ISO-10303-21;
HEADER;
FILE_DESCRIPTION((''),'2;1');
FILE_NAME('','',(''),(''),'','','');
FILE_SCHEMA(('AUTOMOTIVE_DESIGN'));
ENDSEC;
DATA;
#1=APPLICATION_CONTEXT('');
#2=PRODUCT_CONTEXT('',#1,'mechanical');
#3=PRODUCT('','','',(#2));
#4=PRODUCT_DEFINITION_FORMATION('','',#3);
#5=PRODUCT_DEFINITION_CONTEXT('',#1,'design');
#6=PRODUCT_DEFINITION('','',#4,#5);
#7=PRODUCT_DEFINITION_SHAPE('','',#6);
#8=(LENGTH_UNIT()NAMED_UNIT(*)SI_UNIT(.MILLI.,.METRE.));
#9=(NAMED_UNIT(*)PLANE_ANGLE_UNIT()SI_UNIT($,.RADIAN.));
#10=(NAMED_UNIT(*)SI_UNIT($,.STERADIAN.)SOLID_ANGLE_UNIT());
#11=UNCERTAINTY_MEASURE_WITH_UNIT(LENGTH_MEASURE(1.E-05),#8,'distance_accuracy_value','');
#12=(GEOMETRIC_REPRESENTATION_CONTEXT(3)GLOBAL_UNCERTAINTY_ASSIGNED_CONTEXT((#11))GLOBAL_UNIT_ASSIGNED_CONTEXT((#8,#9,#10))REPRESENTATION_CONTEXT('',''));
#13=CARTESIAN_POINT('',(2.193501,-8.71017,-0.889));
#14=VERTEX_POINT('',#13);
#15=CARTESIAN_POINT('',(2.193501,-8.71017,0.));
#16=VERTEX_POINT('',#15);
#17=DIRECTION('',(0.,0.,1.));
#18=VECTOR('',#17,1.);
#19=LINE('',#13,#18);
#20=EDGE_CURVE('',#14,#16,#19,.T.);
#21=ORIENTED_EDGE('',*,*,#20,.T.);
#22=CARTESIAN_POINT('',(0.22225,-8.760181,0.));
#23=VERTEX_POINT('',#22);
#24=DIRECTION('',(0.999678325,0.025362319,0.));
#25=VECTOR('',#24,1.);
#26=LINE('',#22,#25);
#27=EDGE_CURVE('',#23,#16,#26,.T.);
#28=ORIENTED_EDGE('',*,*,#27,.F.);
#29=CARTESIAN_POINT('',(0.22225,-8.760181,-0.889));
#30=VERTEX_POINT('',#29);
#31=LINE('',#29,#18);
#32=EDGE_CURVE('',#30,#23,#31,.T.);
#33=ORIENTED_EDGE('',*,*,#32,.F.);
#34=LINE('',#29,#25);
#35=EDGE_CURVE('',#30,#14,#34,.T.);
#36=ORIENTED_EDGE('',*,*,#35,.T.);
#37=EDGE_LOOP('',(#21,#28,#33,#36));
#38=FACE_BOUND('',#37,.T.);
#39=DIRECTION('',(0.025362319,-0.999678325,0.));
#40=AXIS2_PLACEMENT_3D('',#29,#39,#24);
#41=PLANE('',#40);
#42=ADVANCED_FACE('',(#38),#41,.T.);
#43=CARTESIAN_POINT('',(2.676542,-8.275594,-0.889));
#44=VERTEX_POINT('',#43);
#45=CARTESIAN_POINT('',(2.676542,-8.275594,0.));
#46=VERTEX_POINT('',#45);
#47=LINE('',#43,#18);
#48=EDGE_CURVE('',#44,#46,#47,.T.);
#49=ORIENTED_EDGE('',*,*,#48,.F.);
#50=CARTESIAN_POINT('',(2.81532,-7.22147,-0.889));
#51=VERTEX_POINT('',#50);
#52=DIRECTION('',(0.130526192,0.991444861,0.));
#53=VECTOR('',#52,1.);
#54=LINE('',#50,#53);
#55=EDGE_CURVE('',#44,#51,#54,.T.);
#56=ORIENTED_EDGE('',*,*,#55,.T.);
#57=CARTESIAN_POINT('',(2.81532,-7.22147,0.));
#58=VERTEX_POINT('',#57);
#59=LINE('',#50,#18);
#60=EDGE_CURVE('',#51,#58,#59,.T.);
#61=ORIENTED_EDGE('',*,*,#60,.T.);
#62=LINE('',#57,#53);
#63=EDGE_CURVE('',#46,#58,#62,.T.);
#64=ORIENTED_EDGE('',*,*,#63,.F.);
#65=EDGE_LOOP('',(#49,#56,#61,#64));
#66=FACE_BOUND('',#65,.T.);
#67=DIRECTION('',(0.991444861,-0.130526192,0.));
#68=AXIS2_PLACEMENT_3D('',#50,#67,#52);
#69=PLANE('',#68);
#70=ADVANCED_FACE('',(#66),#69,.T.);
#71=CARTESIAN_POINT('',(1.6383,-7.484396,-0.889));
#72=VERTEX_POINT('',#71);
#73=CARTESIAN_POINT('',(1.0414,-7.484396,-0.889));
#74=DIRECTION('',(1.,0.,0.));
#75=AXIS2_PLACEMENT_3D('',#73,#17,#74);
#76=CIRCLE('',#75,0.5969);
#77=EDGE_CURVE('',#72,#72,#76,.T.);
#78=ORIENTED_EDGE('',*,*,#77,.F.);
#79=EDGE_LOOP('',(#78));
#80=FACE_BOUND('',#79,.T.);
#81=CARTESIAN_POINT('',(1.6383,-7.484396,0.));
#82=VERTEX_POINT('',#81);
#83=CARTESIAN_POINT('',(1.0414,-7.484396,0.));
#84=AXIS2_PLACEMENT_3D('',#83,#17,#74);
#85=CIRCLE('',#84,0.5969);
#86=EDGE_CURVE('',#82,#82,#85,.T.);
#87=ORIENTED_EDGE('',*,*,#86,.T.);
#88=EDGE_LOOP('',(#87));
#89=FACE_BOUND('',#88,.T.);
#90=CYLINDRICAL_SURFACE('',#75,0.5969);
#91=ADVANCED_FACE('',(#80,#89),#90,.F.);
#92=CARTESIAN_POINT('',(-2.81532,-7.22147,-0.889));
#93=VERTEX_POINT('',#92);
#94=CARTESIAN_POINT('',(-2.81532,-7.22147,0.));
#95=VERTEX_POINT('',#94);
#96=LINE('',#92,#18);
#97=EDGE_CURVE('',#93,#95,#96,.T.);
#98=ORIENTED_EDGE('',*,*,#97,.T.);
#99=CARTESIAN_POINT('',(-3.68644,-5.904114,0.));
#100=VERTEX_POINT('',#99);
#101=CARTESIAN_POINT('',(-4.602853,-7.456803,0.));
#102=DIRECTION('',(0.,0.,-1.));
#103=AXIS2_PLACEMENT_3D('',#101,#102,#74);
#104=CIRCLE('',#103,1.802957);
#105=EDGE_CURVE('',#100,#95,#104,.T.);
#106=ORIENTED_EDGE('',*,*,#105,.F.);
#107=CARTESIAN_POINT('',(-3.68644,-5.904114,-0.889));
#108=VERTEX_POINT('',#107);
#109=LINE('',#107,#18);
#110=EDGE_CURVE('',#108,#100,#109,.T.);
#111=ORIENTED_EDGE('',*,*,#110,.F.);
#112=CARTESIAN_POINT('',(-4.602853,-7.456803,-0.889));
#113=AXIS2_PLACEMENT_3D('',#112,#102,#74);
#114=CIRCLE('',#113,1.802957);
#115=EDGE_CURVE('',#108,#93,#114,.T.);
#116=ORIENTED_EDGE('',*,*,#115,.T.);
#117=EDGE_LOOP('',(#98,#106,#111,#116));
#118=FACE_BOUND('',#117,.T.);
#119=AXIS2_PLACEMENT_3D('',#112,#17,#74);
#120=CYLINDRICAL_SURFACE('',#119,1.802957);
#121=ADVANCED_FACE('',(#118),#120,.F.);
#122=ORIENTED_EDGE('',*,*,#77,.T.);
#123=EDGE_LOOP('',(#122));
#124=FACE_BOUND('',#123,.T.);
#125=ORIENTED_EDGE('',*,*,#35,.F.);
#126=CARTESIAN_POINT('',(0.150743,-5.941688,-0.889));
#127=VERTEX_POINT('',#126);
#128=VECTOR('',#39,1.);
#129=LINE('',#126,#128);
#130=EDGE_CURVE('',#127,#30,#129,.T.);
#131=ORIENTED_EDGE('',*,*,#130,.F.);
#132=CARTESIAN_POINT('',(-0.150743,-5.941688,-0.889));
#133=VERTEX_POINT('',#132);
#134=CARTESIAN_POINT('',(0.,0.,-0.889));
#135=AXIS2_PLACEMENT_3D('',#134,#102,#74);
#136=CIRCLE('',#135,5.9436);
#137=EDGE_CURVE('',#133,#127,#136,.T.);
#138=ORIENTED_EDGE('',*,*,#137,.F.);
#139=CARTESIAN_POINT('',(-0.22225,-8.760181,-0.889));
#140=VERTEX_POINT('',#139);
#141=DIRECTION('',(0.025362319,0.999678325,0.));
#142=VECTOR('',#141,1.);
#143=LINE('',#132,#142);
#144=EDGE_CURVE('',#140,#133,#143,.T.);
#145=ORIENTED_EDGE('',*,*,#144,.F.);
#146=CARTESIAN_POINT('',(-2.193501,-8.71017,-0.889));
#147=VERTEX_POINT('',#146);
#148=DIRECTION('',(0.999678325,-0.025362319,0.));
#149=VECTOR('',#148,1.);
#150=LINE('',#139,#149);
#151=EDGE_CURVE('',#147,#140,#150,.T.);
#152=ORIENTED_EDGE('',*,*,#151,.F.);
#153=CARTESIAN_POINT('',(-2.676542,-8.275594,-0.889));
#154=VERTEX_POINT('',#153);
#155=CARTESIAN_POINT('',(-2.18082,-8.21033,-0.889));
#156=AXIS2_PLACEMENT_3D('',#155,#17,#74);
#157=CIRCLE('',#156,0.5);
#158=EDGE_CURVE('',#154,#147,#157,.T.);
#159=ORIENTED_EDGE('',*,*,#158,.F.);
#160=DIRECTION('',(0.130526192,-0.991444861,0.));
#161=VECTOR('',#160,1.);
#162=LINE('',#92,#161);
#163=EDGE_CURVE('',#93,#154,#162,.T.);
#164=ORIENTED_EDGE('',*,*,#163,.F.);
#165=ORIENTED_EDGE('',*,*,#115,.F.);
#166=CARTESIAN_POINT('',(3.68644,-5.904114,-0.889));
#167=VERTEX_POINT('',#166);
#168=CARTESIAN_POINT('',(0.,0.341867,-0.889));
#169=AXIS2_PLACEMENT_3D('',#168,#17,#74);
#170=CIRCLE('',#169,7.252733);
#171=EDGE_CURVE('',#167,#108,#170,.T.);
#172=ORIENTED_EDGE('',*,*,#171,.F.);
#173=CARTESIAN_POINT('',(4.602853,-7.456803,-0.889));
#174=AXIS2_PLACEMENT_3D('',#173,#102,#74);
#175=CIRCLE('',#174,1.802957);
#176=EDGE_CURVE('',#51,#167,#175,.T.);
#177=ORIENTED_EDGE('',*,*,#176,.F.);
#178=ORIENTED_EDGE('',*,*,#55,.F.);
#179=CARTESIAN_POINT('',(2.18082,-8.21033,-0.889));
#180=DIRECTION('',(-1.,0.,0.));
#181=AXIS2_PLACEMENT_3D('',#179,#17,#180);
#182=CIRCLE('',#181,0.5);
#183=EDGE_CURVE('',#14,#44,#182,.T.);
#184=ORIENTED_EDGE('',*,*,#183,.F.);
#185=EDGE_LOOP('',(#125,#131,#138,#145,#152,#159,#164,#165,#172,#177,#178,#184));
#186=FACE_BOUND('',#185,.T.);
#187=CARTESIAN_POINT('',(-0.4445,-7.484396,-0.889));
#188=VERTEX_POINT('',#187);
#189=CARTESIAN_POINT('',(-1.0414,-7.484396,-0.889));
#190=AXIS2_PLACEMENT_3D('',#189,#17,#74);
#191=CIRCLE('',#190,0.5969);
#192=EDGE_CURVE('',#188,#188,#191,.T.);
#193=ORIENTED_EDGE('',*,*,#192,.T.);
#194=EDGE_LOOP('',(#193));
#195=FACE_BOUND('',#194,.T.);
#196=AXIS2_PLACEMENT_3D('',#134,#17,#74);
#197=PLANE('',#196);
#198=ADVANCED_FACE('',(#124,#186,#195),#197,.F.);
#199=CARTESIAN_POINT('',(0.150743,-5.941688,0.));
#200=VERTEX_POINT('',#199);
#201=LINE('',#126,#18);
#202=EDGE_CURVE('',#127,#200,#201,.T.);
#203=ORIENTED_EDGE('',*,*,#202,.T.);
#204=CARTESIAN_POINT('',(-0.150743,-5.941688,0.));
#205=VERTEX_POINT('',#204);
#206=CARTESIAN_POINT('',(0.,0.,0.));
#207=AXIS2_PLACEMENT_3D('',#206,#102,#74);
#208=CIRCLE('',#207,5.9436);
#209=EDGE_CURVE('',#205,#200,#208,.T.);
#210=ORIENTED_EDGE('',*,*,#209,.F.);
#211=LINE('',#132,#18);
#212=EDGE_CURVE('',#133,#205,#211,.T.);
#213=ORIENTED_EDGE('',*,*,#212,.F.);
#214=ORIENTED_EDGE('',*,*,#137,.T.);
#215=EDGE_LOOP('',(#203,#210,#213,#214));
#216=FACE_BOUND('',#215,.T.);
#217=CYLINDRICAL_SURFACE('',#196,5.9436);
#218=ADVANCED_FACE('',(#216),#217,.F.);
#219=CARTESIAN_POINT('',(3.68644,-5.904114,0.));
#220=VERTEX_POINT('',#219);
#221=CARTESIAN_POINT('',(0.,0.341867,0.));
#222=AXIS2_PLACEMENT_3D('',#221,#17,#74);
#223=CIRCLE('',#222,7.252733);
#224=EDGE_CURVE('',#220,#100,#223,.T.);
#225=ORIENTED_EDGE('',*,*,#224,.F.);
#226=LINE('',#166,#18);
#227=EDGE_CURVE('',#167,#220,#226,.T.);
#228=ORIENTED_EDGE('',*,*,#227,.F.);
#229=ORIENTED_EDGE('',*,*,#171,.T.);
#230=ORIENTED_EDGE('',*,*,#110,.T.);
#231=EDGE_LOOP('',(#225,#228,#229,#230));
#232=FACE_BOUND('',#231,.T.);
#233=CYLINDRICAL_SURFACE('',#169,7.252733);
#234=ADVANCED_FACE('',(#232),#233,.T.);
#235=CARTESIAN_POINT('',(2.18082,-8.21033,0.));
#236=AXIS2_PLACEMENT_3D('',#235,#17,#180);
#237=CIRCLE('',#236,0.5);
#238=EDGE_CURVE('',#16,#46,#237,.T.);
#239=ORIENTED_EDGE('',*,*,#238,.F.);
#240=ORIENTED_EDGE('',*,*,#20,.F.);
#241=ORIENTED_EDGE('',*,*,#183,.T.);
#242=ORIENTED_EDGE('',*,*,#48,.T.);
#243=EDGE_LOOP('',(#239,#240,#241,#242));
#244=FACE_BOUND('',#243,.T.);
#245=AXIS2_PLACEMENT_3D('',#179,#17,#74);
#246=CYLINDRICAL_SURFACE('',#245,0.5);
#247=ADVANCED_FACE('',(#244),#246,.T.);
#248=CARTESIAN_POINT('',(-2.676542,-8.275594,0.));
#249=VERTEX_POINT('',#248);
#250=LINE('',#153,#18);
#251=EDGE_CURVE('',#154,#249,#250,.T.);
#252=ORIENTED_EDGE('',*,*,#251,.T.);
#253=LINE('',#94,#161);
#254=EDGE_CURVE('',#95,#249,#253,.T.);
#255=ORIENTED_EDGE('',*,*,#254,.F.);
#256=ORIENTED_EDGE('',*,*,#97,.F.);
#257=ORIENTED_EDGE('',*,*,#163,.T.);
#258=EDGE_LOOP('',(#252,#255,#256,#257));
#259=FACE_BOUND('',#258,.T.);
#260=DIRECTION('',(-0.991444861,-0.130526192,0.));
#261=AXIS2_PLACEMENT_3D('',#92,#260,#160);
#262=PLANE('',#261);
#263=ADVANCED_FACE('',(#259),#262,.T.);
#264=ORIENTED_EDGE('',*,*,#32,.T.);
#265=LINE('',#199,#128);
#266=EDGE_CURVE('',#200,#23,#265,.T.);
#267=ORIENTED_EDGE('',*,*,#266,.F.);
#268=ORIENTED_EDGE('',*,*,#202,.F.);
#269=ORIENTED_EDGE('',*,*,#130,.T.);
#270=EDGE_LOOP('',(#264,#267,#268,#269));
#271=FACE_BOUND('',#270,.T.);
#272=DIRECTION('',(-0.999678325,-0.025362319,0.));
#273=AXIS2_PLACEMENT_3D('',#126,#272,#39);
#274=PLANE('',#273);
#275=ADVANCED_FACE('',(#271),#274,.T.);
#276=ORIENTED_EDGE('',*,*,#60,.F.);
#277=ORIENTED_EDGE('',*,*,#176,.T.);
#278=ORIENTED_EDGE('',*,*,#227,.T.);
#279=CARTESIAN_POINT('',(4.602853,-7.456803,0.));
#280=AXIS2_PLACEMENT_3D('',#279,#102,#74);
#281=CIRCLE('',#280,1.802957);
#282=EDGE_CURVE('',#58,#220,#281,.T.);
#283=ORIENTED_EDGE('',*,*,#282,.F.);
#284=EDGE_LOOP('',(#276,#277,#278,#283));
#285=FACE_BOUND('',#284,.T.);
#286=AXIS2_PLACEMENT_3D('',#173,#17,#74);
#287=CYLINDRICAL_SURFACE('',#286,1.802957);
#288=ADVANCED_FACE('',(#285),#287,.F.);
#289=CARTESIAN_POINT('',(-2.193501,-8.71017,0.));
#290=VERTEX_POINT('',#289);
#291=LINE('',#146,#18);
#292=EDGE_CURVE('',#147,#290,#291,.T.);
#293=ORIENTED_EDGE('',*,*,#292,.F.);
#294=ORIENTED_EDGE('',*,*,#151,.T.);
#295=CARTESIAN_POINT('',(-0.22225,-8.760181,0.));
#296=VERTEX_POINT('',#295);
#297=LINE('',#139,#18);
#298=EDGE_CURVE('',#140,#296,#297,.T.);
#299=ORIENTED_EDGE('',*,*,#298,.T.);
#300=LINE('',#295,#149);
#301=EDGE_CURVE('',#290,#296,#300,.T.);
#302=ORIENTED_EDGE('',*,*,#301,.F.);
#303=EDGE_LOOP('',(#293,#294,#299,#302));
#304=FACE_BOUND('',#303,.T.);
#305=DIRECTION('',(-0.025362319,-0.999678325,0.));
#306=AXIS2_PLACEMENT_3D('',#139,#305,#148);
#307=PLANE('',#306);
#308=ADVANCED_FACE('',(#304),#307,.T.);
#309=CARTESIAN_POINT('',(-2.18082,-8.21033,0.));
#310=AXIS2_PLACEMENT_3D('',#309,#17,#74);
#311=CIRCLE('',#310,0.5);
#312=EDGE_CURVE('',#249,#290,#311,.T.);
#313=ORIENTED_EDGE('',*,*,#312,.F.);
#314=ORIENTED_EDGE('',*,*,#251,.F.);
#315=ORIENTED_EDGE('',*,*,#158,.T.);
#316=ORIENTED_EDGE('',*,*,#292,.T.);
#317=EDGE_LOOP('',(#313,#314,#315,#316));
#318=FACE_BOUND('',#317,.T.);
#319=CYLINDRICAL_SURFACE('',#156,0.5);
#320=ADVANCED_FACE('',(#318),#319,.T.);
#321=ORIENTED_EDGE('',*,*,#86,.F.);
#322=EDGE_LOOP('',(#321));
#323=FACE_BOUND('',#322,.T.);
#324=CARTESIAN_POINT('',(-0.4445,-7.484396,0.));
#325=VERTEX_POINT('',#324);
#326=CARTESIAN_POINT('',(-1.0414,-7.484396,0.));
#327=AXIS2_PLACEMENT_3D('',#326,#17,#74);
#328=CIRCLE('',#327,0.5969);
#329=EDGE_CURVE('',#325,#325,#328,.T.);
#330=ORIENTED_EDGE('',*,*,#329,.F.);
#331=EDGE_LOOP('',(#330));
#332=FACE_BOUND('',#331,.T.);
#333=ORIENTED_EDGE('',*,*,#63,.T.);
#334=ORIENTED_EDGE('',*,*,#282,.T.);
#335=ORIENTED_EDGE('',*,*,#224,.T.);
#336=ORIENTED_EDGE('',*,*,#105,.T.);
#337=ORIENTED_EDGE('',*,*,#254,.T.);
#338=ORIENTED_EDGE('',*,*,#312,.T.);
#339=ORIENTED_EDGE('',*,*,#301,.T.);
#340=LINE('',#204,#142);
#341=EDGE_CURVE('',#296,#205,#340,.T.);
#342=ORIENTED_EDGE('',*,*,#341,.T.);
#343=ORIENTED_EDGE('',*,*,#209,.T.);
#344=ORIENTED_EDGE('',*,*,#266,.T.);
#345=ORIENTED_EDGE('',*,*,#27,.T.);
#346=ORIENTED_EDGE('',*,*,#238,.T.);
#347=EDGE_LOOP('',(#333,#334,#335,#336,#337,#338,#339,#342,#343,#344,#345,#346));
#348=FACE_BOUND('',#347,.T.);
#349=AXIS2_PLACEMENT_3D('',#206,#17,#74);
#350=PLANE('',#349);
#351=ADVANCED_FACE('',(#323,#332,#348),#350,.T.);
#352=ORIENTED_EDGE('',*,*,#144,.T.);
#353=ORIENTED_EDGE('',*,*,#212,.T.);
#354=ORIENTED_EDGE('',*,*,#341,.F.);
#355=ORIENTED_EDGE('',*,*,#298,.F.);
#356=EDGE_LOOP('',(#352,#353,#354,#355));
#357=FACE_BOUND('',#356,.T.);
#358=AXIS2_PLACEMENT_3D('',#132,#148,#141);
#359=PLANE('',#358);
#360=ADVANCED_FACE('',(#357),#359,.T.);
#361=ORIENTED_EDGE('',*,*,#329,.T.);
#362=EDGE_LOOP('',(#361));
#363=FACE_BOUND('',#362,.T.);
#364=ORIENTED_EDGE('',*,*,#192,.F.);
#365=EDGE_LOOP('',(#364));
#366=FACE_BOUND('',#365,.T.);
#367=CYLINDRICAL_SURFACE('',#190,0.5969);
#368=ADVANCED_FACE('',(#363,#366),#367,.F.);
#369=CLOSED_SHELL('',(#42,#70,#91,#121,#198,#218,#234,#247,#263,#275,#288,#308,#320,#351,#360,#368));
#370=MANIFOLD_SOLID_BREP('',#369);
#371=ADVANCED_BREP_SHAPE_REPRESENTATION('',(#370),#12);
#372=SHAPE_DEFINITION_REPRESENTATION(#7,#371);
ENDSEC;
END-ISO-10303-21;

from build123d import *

# Parameters (mm, degrees)
BODYSKE_R  = 0.5969
BODY_DEPTH = 0.889


with BuildPart() as part:
    # BodySke → Body (new body)
    with BuildSketch(Plane.XY):
        with BuildLine():
            Line((0.150743478, -5.94168809), (0.22225, -8.760181159))
            Line((0.22225, -8.760181159), (2.193500812, -8.71016958))
            ThreePointArc((2.193500812, -8.71016958), (2.51523353, -8.582039118), (2.676542083, -8.275593514))
            Line((2.676542083, -8.275593514), (2.815320055, -7.221470159))
            ThreePointArc((2.815320055, -7.221470159), (3.098962326, -6.462334391), (3.686440324, -5.904114314))
            ThreePointArc((3.686440324, -5.904114314), (0, 7.5946), (-3.686440324, -5.904114314))
            ThreePointArc((-3.686440324, -5.904114314), (-3.098962326, -6.462334391), (-2.815320055, -7.221470159))
            Line((-2.815320055, -7.221470159), (-2.676542083, -8.275593514))
            ThreePointArc((-2.676542083, -8.275593514), (-2.51523353, -8.582039118), (-2.193500812, -8.71016958))
            Line((-2.193500812, -8.71016958), (-0.22225, -8.760181159))
            Line((-0.22225, -8.760181159), (-0.150743478, -5.94168809))
            ThreePointArc((-0.150743478, -5.94168809), (0, 5.9436), (0.150743478, -5.94168809))
        make_face()
        with Locations((1.0414, -7.484395653)):
            Circle(BODYSKE_R, mode=Mode.SUBTRACT)
        with Locations((-1.0414, -7.484395653)):
            Circle(BODYSKE_R, mode=Mode.SUBTRACT)
    extrude(amount=-BODY_DEPTH)


solid = part.part
